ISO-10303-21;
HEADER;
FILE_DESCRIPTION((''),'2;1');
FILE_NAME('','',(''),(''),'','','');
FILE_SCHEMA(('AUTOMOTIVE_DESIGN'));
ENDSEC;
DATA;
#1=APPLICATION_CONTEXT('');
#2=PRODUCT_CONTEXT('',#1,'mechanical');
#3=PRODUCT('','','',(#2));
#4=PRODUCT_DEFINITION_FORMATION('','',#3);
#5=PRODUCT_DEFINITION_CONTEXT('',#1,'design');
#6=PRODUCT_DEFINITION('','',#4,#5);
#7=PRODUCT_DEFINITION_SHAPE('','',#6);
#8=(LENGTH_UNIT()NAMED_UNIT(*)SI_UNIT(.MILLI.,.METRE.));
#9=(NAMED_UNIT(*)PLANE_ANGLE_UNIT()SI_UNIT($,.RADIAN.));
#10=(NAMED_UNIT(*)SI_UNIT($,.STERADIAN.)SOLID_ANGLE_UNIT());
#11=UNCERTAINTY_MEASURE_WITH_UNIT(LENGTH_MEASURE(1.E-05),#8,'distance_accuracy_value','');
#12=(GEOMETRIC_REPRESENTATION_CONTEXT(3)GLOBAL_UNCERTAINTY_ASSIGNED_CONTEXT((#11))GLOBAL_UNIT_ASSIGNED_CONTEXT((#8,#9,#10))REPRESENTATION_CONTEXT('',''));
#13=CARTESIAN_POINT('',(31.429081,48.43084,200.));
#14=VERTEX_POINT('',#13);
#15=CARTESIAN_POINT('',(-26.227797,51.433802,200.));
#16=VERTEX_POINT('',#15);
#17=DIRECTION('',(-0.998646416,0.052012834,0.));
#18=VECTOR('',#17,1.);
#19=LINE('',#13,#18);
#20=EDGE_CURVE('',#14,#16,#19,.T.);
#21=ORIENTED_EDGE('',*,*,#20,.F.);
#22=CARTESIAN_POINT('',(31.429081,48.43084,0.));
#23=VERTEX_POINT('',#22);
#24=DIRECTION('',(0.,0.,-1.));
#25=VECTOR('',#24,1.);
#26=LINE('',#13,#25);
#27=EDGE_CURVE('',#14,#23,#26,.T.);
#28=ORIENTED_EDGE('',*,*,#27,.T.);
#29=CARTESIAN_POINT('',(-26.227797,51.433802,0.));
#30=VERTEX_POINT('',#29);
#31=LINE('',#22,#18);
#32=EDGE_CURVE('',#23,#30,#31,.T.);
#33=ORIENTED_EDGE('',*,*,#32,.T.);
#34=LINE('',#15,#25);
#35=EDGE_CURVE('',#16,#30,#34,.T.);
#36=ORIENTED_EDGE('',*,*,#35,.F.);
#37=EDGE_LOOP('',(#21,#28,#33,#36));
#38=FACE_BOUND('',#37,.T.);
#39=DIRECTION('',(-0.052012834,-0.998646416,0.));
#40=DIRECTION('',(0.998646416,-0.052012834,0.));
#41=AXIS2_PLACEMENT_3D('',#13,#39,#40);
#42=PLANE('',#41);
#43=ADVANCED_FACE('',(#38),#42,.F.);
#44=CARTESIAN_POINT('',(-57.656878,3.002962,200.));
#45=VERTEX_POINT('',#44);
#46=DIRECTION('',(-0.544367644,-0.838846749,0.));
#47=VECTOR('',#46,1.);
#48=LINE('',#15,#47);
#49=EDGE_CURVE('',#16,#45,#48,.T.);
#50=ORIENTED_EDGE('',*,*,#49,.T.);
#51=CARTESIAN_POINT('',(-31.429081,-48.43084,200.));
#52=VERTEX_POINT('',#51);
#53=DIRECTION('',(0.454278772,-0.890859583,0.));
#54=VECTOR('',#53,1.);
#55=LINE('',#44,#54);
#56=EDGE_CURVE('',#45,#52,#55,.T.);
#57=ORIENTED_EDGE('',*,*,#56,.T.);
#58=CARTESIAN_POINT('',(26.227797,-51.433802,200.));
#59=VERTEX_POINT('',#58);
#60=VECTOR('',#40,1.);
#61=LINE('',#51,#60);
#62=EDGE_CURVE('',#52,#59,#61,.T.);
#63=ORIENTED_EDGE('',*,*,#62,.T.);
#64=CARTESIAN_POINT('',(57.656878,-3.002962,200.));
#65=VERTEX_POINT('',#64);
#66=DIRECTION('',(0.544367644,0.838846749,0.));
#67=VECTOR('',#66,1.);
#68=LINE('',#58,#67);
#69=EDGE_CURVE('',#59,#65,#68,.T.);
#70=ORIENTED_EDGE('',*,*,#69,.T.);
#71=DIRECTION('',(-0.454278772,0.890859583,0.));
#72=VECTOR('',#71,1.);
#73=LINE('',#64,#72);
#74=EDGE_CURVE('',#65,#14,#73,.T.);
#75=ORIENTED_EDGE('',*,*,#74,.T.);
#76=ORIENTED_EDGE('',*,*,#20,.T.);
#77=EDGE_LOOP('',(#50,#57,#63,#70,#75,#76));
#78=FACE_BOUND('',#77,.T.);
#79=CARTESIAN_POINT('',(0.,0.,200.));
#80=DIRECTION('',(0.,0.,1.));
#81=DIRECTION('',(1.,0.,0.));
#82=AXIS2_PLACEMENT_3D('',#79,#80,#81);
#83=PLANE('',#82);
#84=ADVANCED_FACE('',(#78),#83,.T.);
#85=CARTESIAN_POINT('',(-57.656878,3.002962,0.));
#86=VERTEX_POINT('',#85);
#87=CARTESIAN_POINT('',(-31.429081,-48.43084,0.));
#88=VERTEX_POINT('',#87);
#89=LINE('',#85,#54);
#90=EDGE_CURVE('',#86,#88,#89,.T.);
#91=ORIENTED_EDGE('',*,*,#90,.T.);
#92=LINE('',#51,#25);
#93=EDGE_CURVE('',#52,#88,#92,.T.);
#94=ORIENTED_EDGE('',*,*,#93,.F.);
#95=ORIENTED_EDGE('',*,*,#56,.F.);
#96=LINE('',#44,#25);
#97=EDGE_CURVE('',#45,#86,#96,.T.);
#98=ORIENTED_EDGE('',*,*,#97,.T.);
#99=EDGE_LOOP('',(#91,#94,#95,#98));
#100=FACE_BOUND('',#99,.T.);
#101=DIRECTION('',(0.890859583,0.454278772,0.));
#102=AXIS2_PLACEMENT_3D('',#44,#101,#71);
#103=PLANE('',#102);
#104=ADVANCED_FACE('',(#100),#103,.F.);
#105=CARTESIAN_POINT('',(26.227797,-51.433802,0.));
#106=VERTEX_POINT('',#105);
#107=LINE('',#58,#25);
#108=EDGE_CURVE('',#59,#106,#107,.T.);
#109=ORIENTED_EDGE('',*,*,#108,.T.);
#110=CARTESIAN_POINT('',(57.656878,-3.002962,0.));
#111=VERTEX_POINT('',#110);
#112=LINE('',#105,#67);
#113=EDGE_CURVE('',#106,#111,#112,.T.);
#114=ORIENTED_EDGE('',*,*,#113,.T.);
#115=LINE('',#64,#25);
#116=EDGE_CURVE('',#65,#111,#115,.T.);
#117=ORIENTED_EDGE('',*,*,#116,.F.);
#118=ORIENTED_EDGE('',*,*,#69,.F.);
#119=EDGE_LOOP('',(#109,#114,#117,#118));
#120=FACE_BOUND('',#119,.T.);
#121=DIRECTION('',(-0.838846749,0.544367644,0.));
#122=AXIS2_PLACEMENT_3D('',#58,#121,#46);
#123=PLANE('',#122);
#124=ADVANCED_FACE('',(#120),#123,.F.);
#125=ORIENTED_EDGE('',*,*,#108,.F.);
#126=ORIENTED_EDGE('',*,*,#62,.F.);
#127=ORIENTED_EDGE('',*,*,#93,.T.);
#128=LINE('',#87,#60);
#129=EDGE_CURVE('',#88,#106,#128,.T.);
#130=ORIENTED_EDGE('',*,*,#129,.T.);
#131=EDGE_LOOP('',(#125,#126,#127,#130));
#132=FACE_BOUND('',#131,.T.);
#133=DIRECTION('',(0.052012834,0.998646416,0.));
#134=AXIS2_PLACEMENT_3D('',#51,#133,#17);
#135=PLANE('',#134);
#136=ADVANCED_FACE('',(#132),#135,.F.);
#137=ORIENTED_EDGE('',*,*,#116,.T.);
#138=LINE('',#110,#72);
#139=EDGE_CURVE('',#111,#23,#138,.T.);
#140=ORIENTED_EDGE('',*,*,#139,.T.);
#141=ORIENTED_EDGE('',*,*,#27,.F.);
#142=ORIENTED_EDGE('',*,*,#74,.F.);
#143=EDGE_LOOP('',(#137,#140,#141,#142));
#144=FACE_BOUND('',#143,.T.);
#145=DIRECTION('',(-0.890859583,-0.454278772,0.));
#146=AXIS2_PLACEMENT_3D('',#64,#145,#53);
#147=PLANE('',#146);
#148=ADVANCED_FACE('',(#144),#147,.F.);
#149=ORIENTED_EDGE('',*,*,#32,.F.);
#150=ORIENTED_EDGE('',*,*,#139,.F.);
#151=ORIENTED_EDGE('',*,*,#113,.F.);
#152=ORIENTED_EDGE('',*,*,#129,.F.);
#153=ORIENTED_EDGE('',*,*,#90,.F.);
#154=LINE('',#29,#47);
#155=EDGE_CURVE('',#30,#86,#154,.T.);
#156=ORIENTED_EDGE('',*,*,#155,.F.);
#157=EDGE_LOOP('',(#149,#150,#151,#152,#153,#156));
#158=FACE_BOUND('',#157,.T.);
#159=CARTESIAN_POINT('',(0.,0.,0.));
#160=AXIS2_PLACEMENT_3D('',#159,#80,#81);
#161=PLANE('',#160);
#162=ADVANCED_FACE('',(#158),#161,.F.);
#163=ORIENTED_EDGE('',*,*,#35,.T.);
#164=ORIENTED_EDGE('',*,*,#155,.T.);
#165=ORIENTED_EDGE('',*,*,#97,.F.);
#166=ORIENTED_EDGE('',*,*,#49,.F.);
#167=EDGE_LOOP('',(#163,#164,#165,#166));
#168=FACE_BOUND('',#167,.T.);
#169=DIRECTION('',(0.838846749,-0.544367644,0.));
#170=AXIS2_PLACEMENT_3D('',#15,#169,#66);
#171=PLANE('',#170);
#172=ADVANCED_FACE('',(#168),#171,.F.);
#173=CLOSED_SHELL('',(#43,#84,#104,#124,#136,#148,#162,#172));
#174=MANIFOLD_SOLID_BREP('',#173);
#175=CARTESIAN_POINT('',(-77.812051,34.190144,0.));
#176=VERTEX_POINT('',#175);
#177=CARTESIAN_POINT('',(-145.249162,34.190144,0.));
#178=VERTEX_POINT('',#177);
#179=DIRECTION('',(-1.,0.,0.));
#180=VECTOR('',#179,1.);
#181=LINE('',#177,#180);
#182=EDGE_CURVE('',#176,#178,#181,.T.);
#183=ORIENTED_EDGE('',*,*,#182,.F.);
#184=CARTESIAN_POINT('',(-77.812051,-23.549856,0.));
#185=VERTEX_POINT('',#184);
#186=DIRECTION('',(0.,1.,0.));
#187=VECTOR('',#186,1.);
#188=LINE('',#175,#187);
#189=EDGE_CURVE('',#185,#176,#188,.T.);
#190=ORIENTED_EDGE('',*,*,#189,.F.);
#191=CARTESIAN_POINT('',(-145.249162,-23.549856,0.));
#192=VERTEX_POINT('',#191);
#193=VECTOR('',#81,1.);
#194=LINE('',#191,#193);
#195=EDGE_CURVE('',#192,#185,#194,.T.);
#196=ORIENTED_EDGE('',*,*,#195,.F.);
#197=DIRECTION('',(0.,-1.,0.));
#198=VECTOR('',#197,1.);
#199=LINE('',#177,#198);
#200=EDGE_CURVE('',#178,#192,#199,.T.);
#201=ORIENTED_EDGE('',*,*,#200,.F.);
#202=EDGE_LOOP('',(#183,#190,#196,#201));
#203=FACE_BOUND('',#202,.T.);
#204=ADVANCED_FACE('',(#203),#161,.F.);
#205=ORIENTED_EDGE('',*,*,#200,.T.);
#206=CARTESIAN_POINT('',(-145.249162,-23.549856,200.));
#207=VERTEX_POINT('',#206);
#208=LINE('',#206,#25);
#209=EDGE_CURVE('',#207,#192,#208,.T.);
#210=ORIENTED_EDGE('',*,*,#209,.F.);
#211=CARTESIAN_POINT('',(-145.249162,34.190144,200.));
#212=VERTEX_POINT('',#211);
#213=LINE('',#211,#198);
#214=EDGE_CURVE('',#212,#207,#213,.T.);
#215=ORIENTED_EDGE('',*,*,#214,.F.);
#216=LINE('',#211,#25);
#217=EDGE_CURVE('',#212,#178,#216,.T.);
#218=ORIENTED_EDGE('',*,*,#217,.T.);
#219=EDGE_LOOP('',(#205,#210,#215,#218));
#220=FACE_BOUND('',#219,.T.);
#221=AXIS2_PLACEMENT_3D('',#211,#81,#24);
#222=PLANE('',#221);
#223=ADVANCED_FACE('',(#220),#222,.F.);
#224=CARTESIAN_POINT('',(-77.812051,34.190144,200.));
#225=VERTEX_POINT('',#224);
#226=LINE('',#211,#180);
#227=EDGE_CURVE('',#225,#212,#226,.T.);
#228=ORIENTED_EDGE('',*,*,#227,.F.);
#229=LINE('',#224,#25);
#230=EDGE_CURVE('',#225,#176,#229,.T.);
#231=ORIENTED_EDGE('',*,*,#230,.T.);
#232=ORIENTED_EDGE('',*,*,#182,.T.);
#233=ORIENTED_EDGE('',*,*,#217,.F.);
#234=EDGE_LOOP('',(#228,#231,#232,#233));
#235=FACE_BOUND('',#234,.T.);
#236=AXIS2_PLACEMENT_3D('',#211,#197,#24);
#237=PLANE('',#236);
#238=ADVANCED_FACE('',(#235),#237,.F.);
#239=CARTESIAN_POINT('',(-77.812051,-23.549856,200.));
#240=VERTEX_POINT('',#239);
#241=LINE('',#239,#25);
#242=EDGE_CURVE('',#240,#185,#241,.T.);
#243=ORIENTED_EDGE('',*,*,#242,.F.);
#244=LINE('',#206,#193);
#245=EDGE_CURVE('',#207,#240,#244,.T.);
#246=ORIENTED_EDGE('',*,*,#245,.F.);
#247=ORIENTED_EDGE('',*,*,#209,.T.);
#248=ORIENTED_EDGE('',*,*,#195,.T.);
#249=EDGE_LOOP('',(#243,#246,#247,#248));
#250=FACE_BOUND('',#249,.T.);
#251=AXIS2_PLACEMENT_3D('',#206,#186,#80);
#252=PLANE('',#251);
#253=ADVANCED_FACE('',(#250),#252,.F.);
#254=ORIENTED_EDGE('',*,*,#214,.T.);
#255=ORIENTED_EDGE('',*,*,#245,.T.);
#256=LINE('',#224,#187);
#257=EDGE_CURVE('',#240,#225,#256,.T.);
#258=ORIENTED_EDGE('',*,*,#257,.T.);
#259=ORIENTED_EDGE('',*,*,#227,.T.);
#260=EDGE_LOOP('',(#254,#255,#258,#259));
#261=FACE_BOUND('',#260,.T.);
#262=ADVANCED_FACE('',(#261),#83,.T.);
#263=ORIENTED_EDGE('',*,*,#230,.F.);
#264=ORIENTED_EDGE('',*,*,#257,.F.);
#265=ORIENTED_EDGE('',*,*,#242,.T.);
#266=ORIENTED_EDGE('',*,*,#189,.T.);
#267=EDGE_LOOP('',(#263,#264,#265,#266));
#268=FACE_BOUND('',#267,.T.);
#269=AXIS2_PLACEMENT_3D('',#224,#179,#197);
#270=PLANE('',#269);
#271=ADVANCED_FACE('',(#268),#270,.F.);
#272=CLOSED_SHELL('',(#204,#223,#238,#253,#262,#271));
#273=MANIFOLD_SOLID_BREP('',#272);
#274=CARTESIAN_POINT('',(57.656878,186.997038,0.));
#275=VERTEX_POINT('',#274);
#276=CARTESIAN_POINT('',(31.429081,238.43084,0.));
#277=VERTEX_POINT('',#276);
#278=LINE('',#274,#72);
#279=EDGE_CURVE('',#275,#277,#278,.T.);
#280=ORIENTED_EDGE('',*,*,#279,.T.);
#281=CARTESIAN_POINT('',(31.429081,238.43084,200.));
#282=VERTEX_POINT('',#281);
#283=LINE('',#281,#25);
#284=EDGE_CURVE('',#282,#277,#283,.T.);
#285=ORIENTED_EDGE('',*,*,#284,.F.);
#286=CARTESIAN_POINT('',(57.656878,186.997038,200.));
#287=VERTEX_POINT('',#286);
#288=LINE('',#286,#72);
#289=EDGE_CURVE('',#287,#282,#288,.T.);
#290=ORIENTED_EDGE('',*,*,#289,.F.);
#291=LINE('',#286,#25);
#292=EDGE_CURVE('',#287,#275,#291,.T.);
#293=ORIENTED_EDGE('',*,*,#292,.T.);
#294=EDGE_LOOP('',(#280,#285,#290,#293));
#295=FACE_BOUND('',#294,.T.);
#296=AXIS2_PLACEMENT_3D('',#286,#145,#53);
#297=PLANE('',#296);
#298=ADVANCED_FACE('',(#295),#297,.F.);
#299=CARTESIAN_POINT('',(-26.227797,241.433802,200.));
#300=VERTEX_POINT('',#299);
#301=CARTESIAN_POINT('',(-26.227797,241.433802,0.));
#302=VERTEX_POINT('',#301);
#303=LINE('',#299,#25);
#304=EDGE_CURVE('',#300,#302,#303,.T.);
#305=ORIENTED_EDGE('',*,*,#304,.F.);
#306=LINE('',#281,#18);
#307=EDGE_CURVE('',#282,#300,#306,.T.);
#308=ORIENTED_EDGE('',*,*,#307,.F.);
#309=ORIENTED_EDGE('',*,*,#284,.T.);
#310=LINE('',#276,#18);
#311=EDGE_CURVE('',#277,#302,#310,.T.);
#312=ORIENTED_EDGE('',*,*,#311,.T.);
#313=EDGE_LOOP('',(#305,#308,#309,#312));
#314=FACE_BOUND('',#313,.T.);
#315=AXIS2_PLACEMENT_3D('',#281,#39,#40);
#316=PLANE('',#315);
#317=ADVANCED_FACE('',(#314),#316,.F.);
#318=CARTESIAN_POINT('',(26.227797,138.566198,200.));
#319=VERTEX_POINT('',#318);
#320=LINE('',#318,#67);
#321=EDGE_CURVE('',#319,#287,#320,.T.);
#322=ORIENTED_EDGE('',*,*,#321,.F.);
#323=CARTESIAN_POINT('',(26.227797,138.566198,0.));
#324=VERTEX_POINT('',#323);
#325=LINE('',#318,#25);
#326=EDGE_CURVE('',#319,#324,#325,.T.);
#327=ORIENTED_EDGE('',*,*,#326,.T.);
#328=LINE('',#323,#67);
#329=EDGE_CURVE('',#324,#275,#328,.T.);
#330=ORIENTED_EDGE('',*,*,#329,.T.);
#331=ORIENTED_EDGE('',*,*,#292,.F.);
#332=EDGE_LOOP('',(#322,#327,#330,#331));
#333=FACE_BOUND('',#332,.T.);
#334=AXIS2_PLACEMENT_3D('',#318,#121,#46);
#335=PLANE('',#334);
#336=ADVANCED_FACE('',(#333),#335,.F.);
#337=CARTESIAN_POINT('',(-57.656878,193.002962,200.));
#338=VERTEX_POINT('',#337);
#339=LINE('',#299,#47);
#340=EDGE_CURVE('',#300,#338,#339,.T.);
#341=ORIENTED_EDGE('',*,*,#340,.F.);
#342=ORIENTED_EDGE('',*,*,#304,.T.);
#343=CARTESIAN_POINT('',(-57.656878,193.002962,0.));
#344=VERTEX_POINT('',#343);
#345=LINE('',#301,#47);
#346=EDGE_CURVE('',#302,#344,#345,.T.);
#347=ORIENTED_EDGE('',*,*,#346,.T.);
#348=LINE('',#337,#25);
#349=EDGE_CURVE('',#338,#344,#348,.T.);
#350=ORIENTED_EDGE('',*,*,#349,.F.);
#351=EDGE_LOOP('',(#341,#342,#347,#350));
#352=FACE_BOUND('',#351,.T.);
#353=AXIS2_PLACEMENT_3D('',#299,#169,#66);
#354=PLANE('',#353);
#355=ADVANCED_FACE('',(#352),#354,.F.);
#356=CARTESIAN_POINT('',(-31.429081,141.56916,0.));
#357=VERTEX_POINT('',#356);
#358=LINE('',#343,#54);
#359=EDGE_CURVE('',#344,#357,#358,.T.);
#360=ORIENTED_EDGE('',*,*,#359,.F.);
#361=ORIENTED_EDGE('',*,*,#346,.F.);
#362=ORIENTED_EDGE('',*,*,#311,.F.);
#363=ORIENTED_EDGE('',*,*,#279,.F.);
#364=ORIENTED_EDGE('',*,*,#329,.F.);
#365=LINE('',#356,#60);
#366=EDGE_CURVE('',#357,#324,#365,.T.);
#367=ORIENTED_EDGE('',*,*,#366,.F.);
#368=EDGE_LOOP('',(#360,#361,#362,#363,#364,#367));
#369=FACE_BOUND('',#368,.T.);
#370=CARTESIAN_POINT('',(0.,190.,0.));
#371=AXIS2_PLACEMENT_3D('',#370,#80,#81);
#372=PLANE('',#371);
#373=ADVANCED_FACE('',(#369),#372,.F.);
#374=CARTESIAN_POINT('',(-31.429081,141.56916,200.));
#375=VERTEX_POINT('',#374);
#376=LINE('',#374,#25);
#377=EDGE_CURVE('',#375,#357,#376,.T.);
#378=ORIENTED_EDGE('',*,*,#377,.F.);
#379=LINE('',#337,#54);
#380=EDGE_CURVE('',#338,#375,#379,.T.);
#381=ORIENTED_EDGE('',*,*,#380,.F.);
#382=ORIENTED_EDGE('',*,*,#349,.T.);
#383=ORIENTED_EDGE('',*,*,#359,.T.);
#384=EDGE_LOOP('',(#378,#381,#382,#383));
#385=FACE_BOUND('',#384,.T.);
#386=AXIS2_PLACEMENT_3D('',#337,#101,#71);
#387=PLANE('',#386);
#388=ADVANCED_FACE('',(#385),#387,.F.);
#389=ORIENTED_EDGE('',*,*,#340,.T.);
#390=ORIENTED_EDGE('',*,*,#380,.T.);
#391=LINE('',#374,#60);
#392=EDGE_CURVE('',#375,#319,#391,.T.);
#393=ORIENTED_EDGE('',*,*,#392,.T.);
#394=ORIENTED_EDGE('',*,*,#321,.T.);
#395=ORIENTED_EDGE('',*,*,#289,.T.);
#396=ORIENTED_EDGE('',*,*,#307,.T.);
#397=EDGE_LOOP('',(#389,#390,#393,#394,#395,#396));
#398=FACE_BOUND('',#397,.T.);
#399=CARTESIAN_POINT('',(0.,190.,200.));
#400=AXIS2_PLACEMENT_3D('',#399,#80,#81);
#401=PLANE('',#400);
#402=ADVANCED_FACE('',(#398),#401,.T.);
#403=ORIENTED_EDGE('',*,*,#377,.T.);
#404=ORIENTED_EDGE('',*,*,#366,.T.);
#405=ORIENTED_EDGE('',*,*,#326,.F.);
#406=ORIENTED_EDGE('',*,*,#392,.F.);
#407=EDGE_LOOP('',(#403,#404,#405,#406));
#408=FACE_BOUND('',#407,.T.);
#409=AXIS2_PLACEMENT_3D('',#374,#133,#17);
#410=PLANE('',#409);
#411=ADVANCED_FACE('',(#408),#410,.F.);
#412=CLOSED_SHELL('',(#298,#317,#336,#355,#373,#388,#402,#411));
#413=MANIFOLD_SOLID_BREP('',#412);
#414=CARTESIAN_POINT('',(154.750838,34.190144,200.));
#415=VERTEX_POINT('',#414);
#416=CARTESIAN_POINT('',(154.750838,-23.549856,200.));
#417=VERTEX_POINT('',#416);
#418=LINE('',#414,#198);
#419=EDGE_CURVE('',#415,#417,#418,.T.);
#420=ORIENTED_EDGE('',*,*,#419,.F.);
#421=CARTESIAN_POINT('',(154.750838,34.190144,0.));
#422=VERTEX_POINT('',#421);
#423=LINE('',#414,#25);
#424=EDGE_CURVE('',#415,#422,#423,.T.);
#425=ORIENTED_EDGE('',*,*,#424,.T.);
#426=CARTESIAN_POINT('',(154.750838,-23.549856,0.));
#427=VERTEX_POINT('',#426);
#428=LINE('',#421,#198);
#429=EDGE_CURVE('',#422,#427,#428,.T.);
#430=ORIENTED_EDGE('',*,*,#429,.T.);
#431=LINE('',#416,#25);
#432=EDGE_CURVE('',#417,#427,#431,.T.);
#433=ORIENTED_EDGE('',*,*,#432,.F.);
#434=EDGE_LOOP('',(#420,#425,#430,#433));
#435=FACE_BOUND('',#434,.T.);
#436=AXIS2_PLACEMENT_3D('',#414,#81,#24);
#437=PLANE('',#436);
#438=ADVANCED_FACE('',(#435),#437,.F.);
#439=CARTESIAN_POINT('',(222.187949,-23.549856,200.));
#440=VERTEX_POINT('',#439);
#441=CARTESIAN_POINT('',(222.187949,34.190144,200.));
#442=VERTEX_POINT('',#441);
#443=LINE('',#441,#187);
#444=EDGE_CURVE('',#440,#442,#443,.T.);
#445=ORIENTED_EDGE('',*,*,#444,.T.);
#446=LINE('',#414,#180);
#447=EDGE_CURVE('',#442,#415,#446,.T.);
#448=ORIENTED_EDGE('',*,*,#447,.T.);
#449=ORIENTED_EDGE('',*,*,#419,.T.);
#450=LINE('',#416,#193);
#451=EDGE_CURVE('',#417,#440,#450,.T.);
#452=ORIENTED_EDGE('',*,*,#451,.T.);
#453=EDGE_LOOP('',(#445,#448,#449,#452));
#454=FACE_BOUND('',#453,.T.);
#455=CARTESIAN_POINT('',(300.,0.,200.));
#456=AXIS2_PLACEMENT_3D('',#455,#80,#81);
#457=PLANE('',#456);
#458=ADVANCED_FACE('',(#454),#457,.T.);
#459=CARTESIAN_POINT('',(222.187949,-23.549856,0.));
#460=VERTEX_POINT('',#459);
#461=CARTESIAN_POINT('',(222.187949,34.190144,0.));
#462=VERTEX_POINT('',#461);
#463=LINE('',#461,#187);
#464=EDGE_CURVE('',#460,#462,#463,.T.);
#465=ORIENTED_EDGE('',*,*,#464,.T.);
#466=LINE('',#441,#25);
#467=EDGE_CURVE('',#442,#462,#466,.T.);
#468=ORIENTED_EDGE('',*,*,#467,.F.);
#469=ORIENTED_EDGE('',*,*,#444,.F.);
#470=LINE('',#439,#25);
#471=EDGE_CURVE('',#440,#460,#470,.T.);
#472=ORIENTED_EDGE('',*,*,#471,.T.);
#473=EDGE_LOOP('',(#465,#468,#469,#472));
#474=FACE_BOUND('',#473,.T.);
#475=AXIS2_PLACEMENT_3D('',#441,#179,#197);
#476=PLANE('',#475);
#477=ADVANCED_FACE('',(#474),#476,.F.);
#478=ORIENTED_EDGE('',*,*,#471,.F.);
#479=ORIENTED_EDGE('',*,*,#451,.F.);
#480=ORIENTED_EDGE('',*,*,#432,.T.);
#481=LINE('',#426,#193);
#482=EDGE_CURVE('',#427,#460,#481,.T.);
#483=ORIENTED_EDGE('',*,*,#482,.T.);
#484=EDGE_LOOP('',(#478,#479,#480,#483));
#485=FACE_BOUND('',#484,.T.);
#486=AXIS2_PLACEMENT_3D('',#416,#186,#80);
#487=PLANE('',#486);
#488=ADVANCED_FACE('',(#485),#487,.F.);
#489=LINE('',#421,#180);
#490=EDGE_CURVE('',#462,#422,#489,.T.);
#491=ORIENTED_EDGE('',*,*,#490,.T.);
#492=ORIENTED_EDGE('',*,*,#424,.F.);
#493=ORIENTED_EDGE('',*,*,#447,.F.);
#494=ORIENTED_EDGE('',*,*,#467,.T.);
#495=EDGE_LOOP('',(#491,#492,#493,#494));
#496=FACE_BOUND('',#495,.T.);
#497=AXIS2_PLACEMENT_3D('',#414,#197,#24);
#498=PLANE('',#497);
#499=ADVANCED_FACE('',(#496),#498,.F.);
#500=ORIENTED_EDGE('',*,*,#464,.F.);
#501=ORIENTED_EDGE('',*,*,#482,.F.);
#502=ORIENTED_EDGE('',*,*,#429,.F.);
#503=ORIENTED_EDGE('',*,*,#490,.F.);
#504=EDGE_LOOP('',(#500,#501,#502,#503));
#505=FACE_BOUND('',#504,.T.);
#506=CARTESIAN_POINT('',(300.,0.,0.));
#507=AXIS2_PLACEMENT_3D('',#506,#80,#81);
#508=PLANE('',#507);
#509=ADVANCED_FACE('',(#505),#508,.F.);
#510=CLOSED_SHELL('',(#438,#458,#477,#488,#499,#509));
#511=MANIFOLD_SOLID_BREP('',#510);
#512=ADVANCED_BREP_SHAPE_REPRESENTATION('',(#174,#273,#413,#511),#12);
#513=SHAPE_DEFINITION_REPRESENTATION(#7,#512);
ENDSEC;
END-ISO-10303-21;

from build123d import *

# Parameters (mm, degrees)
BOSS_EXTRUDE1_DEPTH = 200
SKETCH2_W           = 67.437110829
SKETCH2_H           = 57.74
BOSS_EXTRUDE2_DEPTH = 200


with BuildPart() as part:
    # Sketch1 → Boss-Extrude1 (new body)
    with BuildSketch(Plane.XY):
        Polygon((57.656877736, -3.002962382), (31.429080577, 48.430839631), (-26.227797159, 51.433802013), (-57.656877736, 3.002962382), (-31.429080577, -48.430839631), (26.227797159, -51.433802013), align=None)
    extrude(amount=BOSS_EXTRUDE1_DEPTH)


with BuildPart() as body_2:
    # Sketch2 → Boss-Extrude2 (new body)
    with BuildSketch(Plane.XY):
        with Locations((-111.530606371, 5.320143602)):
            Rectangle(SKETCH2_W, SKETCH2_H)
    extrude(amount=BOSS_EXTRUDE2_DEPTH)


with BuildPart() as body_3:
    # Body-Move/Copy1: copy of body 2
    add(body_2.part.moved(Location((300, 0, 0))))


with BuildPart() as body_4:
    # Body-Move/Copy2: copy of part
    add(part.part.moved(Location((0, 190, 0))))


solid = Compound([part.part, body_2.part, body_3.part, body_4.part])
